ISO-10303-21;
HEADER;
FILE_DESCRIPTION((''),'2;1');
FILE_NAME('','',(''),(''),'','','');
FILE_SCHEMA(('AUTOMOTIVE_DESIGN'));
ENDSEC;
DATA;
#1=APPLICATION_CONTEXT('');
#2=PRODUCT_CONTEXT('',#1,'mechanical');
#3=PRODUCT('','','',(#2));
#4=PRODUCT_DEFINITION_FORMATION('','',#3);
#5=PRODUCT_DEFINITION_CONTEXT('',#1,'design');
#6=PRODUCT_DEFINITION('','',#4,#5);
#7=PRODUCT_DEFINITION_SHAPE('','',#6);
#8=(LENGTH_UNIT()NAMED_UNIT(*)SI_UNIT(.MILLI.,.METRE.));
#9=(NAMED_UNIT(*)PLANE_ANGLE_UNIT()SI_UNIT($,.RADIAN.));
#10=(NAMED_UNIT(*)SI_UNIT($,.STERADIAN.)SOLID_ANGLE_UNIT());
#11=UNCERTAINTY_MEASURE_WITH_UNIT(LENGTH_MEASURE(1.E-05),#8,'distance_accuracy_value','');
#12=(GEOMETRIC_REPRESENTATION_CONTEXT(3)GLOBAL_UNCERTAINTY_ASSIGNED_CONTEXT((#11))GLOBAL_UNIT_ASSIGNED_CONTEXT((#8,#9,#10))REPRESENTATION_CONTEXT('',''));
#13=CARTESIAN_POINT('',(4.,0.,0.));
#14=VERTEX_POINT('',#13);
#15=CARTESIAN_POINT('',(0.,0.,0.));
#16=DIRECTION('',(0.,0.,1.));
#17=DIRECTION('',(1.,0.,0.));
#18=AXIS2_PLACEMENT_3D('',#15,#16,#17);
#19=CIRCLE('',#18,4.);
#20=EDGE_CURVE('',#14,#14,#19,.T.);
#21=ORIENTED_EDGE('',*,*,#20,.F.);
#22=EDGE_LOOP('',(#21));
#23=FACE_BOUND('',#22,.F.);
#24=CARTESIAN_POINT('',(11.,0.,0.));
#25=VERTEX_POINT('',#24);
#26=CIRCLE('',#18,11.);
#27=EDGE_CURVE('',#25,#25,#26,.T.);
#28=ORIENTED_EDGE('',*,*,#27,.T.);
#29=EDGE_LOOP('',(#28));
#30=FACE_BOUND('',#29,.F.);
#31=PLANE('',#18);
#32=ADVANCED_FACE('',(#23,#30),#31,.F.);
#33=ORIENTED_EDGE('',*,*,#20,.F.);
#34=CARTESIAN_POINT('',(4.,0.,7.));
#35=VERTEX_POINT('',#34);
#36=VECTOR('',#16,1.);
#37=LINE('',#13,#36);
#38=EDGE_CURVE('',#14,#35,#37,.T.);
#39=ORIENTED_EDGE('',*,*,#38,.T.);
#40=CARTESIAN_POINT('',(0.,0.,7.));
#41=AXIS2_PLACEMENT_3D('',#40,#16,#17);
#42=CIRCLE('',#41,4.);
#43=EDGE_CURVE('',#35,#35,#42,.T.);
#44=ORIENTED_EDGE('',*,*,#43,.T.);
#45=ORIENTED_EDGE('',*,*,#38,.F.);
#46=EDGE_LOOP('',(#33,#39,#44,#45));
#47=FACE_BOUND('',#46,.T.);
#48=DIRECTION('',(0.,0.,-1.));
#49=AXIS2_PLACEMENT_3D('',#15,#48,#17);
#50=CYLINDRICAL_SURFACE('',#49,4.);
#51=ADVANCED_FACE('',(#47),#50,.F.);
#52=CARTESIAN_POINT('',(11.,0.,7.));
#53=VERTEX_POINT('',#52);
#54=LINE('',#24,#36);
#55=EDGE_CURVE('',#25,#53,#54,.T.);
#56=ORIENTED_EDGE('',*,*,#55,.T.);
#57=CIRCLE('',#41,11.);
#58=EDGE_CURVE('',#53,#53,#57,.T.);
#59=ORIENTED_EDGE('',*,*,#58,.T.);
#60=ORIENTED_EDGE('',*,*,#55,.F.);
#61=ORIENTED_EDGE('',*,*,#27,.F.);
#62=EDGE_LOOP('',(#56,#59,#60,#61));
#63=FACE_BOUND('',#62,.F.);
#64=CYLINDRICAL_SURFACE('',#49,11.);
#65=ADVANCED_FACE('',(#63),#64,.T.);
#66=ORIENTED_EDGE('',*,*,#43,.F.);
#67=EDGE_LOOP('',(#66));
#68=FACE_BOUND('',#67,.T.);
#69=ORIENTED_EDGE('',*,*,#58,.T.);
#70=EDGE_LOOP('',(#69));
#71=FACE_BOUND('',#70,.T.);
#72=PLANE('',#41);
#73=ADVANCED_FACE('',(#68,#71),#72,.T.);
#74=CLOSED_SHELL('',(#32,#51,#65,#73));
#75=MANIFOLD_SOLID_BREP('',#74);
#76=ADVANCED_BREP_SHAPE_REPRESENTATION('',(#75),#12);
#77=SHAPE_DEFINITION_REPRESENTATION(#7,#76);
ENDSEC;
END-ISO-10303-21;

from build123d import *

# Parameters (mm, degrees)
CROQUIS1_R              = 11
CROQUIS1_R_2            = 4
SALIENTE_EXTRUIR1_DEPTH = 7


with BuildPart() as part:
    # Croquis1 → Saliente-Extruir1 (new body)
    with BuildSketch(Plane.XY):
        Circle(CROQUIS1_R)
        Circle(CROQUIS1_R_2, mode=Mode.SUBTRACT)
    extrude(amount=SALIENTE_EXTRUIR1_DEPTH)


solid = part.part
